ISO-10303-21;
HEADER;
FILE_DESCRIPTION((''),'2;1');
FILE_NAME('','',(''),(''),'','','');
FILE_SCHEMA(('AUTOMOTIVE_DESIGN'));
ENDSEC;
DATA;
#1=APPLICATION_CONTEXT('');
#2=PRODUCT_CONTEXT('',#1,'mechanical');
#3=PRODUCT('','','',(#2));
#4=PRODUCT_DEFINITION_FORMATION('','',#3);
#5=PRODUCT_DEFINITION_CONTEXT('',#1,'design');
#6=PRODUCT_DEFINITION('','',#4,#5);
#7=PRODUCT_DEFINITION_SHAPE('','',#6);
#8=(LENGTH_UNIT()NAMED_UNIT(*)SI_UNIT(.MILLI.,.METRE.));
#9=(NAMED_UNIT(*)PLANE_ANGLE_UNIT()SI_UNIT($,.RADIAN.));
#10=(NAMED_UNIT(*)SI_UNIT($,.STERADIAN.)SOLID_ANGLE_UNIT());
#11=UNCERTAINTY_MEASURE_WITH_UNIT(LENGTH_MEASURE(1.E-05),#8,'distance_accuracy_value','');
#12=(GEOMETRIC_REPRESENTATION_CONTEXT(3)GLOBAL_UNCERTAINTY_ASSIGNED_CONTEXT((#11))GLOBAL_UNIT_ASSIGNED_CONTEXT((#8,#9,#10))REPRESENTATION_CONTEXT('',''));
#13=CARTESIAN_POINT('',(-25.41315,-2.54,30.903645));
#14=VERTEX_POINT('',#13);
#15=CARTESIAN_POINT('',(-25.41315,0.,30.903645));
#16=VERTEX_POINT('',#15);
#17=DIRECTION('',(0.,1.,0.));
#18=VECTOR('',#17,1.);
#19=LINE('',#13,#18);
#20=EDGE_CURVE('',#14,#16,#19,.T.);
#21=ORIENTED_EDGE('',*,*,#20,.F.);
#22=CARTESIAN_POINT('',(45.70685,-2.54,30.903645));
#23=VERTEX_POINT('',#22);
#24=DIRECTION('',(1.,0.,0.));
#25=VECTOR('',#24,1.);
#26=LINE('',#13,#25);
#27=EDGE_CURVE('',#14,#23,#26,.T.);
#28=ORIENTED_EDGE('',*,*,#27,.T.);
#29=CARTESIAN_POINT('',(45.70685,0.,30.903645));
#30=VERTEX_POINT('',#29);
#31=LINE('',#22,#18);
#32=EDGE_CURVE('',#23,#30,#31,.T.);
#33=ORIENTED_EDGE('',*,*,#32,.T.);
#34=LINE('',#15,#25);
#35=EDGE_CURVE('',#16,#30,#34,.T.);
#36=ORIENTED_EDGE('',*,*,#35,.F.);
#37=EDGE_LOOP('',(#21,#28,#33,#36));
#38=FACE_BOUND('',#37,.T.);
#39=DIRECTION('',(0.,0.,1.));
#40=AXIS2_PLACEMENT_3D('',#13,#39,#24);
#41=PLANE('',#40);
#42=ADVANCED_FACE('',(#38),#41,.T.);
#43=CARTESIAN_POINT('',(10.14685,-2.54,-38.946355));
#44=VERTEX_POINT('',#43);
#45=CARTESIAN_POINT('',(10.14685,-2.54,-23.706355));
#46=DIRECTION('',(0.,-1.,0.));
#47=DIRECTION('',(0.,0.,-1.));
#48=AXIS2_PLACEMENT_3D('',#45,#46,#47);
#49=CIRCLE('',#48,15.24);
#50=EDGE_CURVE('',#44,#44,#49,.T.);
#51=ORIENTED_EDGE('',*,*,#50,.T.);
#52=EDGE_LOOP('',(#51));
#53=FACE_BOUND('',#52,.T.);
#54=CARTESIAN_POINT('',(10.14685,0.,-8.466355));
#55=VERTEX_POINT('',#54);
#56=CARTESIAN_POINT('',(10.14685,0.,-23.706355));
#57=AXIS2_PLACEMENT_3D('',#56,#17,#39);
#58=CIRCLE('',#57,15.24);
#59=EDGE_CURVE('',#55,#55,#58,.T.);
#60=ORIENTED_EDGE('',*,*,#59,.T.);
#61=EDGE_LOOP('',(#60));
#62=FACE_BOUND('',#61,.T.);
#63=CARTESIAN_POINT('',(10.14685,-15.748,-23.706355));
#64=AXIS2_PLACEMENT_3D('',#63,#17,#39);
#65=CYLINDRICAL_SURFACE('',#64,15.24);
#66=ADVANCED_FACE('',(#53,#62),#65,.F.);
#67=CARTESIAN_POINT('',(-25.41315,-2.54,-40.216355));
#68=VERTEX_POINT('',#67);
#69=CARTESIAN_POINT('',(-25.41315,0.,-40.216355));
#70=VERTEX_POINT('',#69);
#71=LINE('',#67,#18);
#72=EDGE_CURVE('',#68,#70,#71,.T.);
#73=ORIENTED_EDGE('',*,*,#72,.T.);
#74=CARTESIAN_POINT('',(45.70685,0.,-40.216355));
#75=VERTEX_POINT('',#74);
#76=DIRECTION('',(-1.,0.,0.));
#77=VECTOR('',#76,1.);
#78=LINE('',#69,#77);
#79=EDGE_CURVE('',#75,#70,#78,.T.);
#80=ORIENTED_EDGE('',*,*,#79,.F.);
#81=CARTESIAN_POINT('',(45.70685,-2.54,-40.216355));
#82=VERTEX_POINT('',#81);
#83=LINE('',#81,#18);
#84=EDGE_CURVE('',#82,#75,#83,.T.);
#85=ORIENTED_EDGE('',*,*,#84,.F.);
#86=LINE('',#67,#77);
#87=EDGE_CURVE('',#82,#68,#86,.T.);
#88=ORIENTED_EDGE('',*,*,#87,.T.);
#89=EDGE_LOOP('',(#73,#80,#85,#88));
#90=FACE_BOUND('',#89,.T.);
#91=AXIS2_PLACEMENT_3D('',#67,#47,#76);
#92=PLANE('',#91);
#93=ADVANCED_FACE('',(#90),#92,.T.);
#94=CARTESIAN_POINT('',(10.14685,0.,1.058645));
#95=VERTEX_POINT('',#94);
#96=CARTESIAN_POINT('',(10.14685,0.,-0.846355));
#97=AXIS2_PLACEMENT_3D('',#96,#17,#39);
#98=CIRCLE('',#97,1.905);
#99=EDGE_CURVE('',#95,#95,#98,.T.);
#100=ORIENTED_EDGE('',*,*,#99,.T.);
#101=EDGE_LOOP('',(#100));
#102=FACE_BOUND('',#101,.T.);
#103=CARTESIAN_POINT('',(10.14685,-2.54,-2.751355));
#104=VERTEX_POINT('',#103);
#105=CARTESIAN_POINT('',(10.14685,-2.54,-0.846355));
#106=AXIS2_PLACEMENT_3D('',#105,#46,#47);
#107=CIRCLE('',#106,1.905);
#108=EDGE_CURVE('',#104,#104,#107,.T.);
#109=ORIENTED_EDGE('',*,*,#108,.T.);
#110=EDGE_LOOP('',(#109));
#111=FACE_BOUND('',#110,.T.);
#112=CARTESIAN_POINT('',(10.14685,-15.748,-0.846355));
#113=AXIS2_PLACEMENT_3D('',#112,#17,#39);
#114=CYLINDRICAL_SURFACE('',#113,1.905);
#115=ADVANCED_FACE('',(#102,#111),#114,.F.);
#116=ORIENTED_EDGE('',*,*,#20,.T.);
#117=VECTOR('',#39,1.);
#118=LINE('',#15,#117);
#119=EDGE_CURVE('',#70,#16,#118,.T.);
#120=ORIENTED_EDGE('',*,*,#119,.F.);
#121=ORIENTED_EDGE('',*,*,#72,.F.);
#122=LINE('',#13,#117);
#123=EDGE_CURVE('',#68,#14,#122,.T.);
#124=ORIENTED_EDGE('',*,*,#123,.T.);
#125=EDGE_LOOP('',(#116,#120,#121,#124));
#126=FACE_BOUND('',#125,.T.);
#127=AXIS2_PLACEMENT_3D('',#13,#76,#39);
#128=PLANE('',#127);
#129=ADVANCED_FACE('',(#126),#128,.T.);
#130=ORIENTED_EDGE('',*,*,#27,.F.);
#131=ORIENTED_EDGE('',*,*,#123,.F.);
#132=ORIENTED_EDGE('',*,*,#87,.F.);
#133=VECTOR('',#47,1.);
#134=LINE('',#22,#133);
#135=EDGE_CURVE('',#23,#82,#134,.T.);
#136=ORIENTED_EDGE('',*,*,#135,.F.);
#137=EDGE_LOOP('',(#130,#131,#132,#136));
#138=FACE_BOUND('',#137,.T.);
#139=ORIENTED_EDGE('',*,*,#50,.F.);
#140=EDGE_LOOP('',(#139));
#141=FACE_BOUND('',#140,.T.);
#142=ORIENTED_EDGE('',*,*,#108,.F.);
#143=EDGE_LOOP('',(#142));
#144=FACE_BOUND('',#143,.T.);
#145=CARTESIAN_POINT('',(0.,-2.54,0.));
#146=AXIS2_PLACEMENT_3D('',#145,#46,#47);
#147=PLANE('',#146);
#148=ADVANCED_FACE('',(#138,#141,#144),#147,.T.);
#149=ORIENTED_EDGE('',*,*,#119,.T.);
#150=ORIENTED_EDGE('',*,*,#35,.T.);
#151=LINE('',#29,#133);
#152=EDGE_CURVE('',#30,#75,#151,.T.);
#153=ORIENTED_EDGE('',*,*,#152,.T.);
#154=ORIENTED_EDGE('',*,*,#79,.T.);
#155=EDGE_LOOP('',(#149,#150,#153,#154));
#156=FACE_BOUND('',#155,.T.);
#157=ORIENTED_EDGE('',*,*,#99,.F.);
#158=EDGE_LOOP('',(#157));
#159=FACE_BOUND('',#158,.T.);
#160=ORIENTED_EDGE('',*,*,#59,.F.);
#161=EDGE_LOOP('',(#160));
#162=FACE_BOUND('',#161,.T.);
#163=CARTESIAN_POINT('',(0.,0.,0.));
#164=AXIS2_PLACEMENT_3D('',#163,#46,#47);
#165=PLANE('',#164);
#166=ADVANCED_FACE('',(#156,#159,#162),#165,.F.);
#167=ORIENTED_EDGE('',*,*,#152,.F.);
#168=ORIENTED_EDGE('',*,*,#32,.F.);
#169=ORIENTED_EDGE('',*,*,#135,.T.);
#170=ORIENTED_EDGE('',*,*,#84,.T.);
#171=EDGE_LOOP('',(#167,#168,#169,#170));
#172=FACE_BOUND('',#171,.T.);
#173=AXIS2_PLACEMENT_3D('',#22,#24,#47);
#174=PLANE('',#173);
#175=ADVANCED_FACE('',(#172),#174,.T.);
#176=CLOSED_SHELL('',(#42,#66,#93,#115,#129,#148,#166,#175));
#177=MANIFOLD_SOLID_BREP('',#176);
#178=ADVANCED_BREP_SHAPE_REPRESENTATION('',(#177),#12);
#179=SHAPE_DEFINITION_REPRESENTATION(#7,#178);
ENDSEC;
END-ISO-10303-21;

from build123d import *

# Parameters (mm, degrees)
SKETCH1_W           = 71.12
SKETCH1_H           = 71.12
BOSS_EXTRUDE1_DEPTH = 2.54
SKETCH2_R           = 15.24
CUT_EXTRUDE1_DEPTH  = 15.748
SKETCH4_R           = 1.905
CUT_EXTRUDE2_DEPTH  = 15.748


with BuildPart() as part:
    # Sketch1 → Boss-Extrude1 (new body)
    with BuildSketch(Plane(origin=(0, 0, 0), x_dir=(1, 0, 0), z_dir=(0, 1, 0))):
        with Locations((10.146850495, 4.656355231)):
            Rectangle(SKETCH1_W, SKETCH1_H)
    extrude(amount=-BOSS_EXTRUDE1_DEPTH)

    # Sketch2 → Cut-Extrude1 (cut)
    with BuildSketch(Plane(origin=(0, 0, 0), x_dir=(1, 0, 0), z_dir=(0, 1, 0))):
        with Locations(Location((10.146850495, 23.706355231, 0), (0, 0, 270))):
            Circle(SKETCH2_R)
    extrude(amount=-CUT_EXTRUDE1_DEPTH, mode=Mode.SUBTRACT)

    # Sketch4 → Cut-Extrude2 (cut)
    with BuildSketch(Plane(origin=(0, 0, 0), x_dir=(1, 0, 0), z_dir=(0, 1, 0))):
        with Locations(Location((10.146850495, 0.846355231, 0), (0, 0, 270))):
            Circle(SKETCH4_R)
    extrude(amount=-CUT_EXTRUDE2_DEPTH, mode=Mode.SUBTRACT)


solid = part.part
